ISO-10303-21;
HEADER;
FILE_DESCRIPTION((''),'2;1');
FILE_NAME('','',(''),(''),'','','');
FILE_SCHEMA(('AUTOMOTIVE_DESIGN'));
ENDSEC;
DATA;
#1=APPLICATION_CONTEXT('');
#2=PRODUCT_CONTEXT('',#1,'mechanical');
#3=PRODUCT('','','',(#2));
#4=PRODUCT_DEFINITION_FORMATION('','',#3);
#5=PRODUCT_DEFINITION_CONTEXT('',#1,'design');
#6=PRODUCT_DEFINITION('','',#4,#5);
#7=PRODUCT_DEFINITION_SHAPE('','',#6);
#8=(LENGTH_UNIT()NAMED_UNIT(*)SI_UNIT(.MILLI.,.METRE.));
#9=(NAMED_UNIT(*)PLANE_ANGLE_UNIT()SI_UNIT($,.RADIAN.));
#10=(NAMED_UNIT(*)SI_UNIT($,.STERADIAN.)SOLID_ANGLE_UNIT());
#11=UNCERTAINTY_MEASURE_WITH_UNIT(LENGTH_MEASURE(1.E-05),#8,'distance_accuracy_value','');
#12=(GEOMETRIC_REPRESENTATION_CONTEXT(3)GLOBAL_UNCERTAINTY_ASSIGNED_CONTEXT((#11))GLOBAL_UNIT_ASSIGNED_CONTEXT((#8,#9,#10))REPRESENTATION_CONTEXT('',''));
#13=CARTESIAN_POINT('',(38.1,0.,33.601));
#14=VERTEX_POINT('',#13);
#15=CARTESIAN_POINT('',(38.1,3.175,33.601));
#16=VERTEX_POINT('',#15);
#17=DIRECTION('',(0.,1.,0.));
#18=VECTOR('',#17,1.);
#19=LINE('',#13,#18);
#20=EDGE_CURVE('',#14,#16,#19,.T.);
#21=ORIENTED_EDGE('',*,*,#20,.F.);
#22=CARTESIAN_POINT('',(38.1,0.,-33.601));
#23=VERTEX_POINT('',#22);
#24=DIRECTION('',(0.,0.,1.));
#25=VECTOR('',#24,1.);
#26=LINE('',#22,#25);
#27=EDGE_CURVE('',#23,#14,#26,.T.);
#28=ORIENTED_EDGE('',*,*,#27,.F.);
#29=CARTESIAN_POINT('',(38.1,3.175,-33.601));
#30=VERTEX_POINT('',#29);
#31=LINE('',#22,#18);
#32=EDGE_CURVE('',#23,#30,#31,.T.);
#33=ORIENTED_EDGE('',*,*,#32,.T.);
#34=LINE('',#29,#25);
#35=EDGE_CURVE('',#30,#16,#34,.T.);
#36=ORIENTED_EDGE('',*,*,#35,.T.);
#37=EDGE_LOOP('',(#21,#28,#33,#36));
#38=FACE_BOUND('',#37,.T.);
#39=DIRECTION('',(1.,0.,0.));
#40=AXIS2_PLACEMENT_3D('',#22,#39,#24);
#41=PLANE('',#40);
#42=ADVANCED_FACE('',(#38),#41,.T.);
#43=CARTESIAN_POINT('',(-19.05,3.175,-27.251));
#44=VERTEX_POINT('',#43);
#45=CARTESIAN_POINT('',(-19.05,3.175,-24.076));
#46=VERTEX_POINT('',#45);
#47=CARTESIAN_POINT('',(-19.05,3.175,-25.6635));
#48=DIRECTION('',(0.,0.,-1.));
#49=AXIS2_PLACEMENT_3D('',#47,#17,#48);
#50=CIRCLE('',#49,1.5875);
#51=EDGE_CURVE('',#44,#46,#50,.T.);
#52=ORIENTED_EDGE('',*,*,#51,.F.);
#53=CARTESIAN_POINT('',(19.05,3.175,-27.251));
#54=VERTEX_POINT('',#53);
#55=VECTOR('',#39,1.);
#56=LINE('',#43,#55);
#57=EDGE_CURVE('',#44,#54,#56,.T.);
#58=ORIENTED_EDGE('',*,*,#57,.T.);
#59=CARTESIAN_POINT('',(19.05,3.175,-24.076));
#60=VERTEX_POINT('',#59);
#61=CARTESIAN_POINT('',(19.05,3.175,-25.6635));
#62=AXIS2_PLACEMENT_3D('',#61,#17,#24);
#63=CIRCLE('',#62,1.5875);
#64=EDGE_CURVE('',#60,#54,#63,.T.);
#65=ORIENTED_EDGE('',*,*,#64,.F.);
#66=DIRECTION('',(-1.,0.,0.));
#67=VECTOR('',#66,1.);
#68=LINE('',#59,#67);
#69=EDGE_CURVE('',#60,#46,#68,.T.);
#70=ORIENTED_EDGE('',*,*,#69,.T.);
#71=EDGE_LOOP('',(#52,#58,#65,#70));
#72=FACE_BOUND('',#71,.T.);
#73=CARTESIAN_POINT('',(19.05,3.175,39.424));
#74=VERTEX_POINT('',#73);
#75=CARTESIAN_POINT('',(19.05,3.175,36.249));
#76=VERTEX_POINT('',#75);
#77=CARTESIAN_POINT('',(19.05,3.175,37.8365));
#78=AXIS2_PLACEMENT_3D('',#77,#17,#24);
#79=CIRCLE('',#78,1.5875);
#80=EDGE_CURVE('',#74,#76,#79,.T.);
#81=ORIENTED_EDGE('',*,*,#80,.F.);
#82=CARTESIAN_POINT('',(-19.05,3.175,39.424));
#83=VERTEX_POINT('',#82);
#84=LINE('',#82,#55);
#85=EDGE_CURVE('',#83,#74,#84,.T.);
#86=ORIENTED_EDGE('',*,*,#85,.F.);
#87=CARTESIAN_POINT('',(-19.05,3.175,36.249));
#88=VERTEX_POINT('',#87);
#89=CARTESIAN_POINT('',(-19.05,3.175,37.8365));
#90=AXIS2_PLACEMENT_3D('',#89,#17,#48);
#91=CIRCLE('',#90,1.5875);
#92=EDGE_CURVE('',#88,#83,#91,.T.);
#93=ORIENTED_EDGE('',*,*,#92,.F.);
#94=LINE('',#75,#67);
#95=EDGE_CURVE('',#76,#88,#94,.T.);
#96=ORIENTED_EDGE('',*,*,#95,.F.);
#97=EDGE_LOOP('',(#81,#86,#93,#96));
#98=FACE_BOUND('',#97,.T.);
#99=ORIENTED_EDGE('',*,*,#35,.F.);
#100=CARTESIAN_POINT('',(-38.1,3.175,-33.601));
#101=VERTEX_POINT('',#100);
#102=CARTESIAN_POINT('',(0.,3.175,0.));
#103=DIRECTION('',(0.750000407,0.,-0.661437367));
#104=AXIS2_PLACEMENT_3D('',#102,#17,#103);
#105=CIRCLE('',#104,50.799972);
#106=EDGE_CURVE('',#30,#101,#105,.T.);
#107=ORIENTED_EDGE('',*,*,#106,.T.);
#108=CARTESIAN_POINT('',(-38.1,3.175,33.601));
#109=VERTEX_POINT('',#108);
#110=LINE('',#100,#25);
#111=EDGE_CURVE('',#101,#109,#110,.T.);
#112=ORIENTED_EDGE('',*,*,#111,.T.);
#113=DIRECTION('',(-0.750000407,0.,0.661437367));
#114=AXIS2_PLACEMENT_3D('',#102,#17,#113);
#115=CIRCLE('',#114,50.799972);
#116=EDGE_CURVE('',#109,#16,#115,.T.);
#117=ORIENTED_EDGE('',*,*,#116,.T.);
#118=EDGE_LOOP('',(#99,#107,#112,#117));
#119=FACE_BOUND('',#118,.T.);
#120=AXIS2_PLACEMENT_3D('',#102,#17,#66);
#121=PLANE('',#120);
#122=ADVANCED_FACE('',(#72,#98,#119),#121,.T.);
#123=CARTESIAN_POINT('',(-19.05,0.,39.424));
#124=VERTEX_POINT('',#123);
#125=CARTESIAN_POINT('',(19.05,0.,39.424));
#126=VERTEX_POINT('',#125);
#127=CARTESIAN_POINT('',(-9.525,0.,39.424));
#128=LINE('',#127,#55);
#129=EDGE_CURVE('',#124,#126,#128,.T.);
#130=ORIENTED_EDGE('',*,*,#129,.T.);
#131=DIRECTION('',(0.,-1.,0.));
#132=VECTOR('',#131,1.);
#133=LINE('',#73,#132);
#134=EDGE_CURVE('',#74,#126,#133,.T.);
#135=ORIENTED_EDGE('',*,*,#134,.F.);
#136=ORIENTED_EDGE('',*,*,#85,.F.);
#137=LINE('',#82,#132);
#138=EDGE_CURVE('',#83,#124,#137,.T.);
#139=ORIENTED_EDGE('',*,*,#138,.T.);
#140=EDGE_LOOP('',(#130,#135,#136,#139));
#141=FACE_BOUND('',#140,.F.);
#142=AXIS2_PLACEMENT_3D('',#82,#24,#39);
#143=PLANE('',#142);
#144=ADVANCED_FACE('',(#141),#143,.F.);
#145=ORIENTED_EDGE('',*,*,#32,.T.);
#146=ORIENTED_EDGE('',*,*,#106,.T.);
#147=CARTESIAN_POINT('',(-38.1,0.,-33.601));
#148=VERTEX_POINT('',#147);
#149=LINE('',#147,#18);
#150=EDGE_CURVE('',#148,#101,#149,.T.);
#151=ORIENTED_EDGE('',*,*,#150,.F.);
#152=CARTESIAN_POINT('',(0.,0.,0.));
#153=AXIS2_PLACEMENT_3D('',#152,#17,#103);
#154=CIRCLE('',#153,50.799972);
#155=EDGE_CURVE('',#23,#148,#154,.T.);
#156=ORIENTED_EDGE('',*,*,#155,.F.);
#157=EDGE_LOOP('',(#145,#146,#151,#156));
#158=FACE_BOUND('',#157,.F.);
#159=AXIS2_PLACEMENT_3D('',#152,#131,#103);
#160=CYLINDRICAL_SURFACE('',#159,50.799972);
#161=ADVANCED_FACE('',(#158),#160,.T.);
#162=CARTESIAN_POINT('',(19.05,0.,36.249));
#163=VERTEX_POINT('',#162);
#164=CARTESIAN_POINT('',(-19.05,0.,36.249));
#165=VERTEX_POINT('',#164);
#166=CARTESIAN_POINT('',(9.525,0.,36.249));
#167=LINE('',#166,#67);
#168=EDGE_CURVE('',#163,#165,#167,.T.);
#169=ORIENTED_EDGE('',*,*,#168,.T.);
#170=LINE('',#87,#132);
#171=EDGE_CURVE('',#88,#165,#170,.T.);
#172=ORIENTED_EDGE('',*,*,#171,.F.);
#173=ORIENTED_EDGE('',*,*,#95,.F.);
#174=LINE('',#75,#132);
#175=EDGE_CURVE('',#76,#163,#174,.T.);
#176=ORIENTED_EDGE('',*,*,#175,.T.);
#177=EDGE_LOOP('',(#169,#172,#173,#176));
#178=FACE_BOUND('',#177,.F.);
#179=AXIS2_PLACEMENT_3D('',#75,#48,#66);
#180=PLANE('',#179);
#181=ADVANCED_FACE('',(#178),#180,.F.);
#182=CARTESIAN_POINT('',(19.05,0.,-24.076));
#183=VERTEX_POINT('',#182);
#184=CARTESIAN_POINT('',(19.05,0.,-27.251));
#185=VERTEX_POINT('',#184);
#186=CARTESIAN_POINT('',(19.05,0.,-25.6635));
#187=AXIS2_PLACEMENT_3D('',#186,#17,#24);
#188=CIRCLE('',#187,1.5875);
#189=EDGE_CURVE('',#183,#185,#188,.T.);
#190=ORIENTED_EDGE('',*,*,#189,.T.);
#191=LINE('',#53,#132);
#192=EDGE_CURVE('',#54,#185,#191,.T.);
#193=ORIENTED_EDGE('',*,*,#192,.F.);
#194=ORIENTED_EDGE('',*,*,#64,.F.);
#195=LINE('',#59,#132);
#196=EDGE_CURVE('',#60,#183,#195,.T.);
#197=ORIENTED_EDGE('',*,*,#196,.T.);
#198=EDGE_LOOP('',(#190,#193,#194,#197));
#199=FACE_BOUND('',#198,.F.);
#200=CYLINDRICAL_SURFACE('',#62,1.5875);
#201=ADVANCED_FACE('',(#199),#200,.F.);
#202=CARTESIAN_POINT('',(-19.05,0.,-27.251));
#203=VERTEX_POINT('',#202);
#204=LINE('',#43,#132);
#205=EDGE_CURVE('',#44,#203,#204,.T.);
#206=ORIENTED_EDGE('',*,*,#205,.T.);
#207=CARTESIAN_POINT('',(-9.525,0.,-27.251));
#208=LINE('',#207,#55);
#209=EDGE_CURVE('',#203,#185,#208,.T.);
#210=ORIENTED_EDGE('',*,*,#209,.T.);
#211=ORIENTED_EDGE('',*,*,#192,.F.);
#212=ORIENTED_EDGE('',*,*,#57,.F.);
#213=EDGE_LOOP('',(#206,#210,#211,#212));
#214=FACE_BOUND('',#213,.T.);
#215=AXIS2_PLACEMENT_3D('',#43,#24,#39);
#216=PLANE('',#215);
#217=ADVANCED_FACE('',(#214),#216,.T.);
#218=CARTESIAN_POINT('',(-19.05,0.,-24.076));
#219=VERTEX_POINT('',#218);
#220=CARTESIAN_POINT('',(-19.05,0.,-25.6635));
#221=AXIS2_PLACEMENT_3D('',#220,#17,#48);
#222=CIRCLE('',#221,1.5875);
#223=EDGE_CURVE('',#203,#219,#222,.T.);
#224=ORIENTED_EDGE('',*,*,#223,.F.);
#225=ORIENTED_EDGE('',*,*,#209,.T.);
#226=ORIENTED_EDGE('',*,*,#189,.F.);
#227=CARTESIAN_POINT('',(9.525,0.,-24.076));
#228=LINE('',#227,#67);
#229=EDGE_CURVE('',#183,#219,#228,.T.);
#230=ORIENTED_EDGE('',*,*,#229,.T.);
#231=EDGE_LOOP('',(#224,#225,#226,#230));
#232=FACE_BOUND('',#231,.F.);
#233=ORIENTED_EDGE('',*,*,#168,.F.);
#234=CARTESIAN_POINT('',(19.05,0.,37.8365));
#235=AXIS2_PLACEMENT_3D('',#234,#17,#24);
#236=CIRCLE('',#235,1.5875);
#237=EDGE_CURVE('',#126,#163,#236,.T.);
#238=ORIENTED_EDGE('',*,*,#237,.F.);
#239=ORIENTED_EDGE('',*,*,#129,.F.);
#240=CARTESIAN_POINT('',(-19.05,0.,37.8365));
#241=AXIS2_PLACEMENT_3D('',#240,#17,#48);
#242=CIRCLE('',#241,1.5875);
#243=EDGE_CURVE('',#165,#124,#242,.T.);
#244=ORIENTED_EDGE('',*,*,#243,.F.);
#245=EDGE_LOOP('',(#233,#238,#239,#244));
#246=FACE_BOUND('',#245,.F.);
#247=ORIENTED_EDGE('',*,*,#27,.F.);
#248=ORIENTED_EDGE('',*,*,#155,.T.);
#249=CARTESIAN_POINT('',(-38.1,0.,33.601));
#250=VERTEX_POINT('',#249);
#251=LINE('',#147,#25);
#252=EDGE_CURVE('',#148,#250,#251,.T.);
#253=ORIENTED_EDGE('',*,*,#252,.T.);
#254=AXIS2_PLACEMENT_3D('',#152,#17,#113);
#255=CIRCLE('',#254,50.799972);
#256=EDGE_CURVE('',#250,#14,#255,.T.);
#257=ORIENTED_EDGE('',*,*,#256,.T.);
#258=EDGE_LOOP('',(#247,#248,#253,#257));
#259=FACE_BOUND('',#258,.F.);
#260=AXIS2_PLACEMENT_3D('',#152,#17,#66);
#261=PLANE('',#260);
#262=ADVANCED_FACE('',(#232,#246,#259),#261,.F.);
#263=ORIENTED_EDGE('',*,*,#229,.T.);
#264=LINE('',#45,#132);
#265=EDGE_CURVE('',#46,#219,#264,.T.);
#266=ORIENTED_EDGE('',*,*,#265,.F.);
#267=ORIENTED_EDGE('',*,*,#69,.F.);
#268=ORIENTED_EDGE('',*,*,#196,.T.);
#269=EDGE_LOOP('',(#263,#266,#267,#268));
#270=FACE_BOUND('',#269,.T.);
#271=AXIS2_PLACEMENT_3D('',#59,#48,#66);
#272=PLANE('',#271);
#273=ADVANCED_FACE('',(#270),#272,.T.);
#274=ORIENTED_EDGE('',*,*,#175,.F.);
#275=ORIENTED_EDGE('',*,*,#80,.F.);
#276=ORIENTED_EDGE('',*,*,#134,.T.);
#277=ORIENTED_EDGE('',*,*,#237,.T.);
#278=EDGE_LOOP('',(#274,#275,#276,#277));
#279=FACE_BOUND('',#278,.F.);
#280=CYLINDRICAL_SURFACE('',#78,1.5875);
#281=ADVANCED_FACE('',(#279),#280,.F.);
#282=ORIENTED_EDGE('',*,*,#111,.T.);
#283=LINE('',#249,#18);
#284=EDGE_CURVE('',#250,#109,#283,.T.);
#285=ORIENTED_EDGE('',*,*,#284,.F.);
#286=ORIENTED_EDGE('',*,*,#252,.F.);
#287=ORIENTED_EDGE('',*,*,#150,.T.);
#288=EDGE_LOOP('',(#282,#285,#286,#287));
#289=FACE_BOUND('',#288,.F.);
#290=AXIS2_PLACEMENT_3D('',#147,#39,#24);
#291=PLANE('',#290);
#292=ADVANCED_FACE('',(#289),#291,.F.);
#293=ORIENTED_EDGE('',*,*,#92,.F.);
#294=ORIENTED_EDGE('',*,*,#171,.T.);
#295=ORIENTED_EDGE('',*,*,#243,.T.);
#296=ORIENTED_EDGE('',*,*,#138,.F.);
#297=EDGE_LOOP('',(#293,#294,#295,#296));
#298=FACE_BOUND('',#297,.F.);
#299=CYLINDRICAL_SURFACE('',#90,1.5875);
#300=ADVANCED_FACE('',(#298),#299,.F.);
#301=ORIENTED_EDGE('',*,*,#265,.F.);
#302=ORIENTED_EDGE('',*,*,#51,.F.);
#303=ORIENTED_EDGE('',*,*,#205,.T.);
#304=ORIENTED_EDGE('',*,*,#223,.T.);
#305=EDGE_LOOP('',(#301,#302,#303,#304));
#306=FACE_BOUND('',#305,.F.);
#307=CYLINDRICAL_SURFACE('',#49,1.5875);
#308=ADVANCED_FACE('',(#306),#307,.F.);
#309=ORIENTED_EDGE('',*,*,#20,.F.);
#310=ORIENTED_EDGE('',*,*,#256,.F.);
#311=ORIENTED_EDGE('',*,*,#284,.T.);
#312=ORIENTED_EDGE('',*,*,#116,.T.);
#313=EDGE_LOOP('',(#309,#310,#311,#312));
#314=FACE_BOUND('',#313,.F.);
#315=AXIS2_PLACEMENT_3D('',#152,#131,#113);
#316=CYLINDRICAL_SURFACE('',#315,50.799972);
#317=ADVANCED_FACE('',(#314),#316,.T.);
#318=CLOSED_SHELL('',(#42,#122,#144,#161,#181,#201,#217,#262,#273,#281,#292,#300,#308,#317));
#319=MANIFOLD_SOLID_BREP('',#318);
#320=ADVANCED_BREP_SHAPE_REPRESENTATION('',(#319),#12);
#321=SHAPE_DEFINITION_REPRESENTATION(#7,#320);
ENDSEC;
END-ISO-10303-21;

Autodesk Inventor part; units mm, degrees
ref_plane "YZ Plane" through (0, 0, 0) normal (1, 0, 0) x (0, 1, 0)
ref_plane "XZ Plane" through (0, 0, 0) normal (0, 1, 0) x (-1, 0, 0)
ref_plane "XY Plane" through (0, 0, 0) normal (0, 0, 1) x (1, 0, 0)
sketch "Sketch1" plane through (0, 0, 0) normal (0, 1, 0) x (-1, 0, 0)
  arc A0 (38.1, 33.601) -> (-38.1, 33.601) centre (0, 0) ccw
  line L0 (38.1, -33.601) -> (38.1, 33.601)
  arc A1 (38.1, -33.601) -> (38.1, 33.601) centre (0, 0) ccw construction
  line L1 (-38.1, -33.601) -> (-38.1, 33.601)
  arc A2 (-38.1, -33.601) -> (38.1, -33.601) centre (0, 0) ccw
  arc A3 (-38.1, 33.601) -> (-38.1, -33.601) centre (0, 0) ccw construction
  dimension "d0" = 101.6
  dimension "d3" = 12.7
  dimension "d4" = 76.2
extrude "Extrusion1" add sketch "Sketch1" along normal blind 3.175
sketch "Sketch2" plane through (0, 3.175, 0) normal (0, 1, 0) x (1, 0, 0)
  line L0 (-38.1, 33.601) -> (38.1, 33.601) construction
  line L1 (38.1, -33.601) -> (-38.1, -33.601) construction
  line L2 (-38.1, -6.0865) -> (38.1, -6.0865) construction
  line L3 (38.1, 33.601) -> (38.1, -33.601) construction
  line L4 (38.1, -33.601) -> (38.1, 33.601) construction
  line L5 (-19.05, 27.251) -> (19.05, 27.251)
  line L6 (19.05, 24.076) -> (-19.05, 24.076)
  arc A0 (-19.05, 27.251) -> (-19.05, 24.076) centre (-19.05, 25.6635) ccw
  arc A1 (19.05, 24.076) -> (19.05, 27.251) centre (19.05, 25.6635) ccw
  line L7 (-38.1, 33.601) -> (-38.1, -33.601) projected
  line L8 (-19.05, -39.424) -> (19.05, -39.424)
  line L9 (19.05, -36.249) -> (-19.05, -36.249)
  arc A2 (-19.05, -36.249) -> (-19.05, -39.424) centre (-19.05, -37.8365) ccw
  arc A3 (19.05, -39.424) -> (19.05, -36.249) centre (19.05, -37.8365) ccw
  point P0 (0, 0)
  dimension "d11" = 19.05
  dimension "d12" = 19.05
  dimension "d13" = 6.35
  dimension "d14" = 3.175
  dimension "d17" = 63.5
extrude "Extrusion2" cut sketch "Sketch2" against normal through all
properties part number "top"
